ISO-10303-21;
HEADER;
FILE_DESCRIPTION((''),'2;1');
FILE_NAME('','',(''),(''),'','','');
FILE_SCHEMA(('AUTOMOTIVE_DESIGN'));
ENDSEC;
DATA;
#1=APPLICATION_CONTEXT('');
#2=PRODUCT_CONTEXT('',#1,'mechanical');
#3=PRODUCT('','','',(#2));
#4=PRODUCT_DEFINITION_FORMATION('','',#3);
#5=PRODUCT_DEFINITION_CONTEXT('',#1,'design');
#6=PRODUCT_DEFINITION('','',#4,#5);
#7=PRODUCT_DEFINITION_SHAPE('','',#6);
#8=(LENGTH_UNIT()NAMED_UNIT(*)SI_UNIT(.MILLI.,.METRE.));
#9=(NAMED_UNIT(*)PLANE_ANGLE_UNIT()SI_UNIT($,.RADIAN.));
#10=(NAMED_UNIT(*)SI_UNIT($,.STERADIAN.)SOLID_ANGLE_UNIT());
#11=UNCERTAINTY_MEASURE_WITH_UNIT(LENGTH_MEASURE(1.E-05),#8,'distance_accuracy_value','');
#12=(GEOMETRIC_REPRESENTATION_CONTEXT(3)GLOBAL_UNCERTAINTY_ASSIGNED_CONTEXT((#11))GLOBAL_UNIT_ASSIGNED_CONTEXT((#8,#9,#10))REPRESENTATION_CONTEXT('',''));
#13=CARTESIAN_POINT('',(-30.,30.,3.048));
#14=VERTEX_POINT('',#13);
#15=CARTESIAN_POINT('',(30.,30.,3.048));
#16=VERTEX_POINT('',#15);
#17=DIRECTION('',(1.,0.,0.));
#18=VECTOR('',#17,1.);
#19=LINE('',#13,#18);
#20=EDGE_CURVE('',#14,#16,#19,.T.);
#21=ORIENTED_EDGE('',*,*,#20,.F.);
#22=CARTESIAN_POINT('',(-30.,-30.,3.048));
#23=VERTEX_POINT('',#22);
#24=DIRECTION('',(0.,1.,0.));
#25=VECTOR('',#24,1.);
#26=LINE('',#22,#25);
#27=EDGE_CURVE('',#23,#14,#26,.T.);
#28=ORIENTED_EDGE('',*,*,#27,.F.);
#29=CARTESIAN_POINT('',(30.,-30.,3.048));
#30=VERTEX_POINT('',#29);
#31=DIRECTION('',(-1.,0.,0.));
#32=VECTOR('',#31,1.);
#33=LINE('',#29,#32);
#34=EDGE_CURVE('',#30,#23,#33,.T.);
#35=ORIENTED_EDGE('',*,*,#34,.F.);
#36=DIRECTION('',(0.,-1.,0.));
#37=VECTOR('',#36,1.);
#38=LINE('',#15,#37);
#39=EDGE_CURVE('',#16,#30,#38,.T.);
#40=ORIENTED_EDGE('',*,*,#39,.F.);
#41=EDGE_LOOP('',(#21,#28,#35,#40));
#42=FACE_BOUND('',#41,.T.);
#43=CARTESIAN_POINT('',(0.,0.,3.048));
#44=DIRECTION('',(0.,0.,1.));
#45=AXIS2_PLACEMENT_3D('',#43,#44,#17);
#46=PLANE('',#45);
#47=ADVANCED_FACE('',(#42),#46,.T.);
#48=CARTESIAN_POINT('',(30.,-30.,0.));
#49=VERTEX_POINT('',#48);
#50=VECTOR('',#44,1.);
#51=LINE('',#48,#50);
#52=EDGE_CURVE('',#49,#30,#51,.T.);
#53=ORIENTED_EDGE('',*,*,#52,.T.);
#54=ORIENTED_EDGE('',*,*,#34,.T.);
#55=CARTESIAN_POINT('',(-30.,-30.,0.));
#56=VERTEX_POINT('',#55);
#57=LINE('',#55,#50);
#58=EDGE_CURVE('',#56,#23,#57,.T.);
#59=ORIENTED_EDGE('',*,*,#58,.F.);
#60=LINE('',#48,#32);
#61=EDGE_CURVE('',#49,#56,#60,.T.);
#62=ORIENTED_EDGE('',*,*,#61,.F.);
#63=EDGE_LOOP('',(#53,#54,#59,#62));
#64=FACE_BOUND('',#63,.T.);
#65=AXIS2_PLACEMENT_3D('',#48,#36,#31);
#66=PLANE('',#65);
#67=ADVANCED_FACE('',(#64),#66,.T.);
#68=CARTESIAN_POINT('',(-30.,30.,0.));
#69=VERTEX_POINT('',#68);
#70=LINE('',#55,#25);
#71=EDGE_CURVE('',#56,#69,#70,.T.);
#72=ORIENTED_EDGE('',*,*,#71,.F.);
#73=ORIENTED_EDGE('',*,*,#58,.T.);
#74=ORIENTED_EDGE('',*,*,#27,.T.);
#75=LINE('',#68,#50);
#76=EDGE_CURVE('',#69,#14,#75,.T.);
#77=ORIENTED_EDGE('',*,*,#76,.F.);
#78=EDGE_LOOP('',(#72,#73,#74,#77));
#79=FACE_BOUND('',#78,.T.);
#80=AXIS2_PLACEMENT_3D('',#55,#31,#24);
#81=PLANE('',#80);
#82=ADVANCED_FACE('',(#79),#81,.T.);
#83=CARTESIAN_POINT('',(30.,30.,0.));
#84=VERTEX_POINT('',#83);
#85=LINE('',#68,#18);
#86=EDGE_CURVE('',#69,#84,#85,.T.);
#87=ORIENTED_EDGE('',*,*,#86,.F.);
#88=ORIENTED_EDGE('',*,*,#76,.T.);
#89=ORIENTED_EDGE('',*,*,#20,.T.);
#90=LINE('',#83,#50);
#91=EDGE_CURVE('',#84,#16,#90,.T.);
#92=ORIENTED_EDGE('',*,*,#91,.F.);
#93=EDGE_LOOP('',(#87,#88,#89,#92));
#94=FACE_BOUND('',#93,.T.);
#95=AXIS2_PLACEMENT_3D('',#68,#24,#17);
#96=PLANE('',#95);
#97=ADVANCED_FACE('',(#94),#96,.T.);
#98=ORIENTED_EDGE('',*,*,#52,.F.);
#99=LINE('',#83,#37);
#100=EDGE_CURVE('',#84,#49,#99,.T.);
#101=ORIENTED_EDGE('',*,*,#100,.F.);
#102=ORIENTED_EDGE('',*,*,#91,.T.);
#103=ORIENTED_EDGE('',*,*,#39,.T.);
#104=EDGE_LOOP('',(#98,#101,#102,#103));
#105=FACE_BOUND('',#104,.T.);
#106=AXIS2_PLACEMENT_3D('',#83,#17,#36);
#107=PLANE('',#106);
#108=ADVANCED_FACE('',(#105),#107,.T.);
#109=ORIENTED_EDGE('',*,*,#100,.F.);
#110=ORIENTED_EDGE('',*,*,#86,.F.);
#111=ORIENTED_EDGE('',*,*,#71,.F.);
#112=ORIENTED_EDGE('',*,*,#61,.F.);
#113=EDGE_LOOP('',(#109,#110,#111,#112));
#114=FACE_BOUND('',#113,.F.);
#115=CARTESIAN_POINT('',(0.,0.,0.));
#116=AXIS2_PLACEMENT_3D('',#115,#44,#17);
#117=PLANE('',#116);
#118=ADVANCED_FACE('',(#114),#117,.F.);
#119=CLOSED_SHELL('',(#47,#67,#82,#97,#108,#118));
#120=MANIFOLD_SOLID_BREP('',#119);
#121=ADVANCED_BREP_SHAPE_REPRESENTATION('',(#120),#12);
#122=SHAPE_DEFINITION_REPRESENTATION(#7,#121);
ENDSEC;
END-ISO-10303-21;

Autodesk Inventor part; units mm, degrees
ref_plane "YZ Plane" through (0, 0, 0) normal (1, 0, 0) x (0, 1, 0)
ref_plane "XZ Plane" through (0, 0, 0) normal (0, 1, 0) x (-1, 0, 0)
ref_plane "XY Plane" through (0, 0, 0) normal (0, 0, 1) x (1, 0, 0)
sketch "Sketch1" plane through (0, 0, 0) normal (0, 0, 1) x (1, 0, 0)
  line L0 (-30, 30) -> (30, 30)
  line L1 (30, 30) -> (30, -30)
  line L2 (30, -30) -> (-30, -30)
  line L3 (-30, -30) -> (-30, 30)
  line L4 (-30, 30) -> (30, -30) construction
  line L5 (30, 30) -> (-30, -30) construction
  point P0 (0, 0)
  dimension "d0" = 60
  dimension "d1" = 60
extrude "Plate1" add sketch "Sketch1" along normal blind 3.048
equation "\"d2\" = Thickness"
equation "\"BendRadius\" = Thickness"
equation "\"BendReliefWidth\" = Thickness"
equation "\"BendReliefDepth\" = 0.5 * Thickness"
equation "\"CornerReliefSize\" = 4 * Thickness"
equation "\"MinimumRemnant\" = 2 * Thickness"
equation "\"TransitionRadius\" = BendRadius"
equation "\"JacobiRadiusSize\" = BendRadius"
equation "\"GapSize\" = Thickness"
equation "\"Thickness\" = 3.048"
properties part number "plate wheel 1"
